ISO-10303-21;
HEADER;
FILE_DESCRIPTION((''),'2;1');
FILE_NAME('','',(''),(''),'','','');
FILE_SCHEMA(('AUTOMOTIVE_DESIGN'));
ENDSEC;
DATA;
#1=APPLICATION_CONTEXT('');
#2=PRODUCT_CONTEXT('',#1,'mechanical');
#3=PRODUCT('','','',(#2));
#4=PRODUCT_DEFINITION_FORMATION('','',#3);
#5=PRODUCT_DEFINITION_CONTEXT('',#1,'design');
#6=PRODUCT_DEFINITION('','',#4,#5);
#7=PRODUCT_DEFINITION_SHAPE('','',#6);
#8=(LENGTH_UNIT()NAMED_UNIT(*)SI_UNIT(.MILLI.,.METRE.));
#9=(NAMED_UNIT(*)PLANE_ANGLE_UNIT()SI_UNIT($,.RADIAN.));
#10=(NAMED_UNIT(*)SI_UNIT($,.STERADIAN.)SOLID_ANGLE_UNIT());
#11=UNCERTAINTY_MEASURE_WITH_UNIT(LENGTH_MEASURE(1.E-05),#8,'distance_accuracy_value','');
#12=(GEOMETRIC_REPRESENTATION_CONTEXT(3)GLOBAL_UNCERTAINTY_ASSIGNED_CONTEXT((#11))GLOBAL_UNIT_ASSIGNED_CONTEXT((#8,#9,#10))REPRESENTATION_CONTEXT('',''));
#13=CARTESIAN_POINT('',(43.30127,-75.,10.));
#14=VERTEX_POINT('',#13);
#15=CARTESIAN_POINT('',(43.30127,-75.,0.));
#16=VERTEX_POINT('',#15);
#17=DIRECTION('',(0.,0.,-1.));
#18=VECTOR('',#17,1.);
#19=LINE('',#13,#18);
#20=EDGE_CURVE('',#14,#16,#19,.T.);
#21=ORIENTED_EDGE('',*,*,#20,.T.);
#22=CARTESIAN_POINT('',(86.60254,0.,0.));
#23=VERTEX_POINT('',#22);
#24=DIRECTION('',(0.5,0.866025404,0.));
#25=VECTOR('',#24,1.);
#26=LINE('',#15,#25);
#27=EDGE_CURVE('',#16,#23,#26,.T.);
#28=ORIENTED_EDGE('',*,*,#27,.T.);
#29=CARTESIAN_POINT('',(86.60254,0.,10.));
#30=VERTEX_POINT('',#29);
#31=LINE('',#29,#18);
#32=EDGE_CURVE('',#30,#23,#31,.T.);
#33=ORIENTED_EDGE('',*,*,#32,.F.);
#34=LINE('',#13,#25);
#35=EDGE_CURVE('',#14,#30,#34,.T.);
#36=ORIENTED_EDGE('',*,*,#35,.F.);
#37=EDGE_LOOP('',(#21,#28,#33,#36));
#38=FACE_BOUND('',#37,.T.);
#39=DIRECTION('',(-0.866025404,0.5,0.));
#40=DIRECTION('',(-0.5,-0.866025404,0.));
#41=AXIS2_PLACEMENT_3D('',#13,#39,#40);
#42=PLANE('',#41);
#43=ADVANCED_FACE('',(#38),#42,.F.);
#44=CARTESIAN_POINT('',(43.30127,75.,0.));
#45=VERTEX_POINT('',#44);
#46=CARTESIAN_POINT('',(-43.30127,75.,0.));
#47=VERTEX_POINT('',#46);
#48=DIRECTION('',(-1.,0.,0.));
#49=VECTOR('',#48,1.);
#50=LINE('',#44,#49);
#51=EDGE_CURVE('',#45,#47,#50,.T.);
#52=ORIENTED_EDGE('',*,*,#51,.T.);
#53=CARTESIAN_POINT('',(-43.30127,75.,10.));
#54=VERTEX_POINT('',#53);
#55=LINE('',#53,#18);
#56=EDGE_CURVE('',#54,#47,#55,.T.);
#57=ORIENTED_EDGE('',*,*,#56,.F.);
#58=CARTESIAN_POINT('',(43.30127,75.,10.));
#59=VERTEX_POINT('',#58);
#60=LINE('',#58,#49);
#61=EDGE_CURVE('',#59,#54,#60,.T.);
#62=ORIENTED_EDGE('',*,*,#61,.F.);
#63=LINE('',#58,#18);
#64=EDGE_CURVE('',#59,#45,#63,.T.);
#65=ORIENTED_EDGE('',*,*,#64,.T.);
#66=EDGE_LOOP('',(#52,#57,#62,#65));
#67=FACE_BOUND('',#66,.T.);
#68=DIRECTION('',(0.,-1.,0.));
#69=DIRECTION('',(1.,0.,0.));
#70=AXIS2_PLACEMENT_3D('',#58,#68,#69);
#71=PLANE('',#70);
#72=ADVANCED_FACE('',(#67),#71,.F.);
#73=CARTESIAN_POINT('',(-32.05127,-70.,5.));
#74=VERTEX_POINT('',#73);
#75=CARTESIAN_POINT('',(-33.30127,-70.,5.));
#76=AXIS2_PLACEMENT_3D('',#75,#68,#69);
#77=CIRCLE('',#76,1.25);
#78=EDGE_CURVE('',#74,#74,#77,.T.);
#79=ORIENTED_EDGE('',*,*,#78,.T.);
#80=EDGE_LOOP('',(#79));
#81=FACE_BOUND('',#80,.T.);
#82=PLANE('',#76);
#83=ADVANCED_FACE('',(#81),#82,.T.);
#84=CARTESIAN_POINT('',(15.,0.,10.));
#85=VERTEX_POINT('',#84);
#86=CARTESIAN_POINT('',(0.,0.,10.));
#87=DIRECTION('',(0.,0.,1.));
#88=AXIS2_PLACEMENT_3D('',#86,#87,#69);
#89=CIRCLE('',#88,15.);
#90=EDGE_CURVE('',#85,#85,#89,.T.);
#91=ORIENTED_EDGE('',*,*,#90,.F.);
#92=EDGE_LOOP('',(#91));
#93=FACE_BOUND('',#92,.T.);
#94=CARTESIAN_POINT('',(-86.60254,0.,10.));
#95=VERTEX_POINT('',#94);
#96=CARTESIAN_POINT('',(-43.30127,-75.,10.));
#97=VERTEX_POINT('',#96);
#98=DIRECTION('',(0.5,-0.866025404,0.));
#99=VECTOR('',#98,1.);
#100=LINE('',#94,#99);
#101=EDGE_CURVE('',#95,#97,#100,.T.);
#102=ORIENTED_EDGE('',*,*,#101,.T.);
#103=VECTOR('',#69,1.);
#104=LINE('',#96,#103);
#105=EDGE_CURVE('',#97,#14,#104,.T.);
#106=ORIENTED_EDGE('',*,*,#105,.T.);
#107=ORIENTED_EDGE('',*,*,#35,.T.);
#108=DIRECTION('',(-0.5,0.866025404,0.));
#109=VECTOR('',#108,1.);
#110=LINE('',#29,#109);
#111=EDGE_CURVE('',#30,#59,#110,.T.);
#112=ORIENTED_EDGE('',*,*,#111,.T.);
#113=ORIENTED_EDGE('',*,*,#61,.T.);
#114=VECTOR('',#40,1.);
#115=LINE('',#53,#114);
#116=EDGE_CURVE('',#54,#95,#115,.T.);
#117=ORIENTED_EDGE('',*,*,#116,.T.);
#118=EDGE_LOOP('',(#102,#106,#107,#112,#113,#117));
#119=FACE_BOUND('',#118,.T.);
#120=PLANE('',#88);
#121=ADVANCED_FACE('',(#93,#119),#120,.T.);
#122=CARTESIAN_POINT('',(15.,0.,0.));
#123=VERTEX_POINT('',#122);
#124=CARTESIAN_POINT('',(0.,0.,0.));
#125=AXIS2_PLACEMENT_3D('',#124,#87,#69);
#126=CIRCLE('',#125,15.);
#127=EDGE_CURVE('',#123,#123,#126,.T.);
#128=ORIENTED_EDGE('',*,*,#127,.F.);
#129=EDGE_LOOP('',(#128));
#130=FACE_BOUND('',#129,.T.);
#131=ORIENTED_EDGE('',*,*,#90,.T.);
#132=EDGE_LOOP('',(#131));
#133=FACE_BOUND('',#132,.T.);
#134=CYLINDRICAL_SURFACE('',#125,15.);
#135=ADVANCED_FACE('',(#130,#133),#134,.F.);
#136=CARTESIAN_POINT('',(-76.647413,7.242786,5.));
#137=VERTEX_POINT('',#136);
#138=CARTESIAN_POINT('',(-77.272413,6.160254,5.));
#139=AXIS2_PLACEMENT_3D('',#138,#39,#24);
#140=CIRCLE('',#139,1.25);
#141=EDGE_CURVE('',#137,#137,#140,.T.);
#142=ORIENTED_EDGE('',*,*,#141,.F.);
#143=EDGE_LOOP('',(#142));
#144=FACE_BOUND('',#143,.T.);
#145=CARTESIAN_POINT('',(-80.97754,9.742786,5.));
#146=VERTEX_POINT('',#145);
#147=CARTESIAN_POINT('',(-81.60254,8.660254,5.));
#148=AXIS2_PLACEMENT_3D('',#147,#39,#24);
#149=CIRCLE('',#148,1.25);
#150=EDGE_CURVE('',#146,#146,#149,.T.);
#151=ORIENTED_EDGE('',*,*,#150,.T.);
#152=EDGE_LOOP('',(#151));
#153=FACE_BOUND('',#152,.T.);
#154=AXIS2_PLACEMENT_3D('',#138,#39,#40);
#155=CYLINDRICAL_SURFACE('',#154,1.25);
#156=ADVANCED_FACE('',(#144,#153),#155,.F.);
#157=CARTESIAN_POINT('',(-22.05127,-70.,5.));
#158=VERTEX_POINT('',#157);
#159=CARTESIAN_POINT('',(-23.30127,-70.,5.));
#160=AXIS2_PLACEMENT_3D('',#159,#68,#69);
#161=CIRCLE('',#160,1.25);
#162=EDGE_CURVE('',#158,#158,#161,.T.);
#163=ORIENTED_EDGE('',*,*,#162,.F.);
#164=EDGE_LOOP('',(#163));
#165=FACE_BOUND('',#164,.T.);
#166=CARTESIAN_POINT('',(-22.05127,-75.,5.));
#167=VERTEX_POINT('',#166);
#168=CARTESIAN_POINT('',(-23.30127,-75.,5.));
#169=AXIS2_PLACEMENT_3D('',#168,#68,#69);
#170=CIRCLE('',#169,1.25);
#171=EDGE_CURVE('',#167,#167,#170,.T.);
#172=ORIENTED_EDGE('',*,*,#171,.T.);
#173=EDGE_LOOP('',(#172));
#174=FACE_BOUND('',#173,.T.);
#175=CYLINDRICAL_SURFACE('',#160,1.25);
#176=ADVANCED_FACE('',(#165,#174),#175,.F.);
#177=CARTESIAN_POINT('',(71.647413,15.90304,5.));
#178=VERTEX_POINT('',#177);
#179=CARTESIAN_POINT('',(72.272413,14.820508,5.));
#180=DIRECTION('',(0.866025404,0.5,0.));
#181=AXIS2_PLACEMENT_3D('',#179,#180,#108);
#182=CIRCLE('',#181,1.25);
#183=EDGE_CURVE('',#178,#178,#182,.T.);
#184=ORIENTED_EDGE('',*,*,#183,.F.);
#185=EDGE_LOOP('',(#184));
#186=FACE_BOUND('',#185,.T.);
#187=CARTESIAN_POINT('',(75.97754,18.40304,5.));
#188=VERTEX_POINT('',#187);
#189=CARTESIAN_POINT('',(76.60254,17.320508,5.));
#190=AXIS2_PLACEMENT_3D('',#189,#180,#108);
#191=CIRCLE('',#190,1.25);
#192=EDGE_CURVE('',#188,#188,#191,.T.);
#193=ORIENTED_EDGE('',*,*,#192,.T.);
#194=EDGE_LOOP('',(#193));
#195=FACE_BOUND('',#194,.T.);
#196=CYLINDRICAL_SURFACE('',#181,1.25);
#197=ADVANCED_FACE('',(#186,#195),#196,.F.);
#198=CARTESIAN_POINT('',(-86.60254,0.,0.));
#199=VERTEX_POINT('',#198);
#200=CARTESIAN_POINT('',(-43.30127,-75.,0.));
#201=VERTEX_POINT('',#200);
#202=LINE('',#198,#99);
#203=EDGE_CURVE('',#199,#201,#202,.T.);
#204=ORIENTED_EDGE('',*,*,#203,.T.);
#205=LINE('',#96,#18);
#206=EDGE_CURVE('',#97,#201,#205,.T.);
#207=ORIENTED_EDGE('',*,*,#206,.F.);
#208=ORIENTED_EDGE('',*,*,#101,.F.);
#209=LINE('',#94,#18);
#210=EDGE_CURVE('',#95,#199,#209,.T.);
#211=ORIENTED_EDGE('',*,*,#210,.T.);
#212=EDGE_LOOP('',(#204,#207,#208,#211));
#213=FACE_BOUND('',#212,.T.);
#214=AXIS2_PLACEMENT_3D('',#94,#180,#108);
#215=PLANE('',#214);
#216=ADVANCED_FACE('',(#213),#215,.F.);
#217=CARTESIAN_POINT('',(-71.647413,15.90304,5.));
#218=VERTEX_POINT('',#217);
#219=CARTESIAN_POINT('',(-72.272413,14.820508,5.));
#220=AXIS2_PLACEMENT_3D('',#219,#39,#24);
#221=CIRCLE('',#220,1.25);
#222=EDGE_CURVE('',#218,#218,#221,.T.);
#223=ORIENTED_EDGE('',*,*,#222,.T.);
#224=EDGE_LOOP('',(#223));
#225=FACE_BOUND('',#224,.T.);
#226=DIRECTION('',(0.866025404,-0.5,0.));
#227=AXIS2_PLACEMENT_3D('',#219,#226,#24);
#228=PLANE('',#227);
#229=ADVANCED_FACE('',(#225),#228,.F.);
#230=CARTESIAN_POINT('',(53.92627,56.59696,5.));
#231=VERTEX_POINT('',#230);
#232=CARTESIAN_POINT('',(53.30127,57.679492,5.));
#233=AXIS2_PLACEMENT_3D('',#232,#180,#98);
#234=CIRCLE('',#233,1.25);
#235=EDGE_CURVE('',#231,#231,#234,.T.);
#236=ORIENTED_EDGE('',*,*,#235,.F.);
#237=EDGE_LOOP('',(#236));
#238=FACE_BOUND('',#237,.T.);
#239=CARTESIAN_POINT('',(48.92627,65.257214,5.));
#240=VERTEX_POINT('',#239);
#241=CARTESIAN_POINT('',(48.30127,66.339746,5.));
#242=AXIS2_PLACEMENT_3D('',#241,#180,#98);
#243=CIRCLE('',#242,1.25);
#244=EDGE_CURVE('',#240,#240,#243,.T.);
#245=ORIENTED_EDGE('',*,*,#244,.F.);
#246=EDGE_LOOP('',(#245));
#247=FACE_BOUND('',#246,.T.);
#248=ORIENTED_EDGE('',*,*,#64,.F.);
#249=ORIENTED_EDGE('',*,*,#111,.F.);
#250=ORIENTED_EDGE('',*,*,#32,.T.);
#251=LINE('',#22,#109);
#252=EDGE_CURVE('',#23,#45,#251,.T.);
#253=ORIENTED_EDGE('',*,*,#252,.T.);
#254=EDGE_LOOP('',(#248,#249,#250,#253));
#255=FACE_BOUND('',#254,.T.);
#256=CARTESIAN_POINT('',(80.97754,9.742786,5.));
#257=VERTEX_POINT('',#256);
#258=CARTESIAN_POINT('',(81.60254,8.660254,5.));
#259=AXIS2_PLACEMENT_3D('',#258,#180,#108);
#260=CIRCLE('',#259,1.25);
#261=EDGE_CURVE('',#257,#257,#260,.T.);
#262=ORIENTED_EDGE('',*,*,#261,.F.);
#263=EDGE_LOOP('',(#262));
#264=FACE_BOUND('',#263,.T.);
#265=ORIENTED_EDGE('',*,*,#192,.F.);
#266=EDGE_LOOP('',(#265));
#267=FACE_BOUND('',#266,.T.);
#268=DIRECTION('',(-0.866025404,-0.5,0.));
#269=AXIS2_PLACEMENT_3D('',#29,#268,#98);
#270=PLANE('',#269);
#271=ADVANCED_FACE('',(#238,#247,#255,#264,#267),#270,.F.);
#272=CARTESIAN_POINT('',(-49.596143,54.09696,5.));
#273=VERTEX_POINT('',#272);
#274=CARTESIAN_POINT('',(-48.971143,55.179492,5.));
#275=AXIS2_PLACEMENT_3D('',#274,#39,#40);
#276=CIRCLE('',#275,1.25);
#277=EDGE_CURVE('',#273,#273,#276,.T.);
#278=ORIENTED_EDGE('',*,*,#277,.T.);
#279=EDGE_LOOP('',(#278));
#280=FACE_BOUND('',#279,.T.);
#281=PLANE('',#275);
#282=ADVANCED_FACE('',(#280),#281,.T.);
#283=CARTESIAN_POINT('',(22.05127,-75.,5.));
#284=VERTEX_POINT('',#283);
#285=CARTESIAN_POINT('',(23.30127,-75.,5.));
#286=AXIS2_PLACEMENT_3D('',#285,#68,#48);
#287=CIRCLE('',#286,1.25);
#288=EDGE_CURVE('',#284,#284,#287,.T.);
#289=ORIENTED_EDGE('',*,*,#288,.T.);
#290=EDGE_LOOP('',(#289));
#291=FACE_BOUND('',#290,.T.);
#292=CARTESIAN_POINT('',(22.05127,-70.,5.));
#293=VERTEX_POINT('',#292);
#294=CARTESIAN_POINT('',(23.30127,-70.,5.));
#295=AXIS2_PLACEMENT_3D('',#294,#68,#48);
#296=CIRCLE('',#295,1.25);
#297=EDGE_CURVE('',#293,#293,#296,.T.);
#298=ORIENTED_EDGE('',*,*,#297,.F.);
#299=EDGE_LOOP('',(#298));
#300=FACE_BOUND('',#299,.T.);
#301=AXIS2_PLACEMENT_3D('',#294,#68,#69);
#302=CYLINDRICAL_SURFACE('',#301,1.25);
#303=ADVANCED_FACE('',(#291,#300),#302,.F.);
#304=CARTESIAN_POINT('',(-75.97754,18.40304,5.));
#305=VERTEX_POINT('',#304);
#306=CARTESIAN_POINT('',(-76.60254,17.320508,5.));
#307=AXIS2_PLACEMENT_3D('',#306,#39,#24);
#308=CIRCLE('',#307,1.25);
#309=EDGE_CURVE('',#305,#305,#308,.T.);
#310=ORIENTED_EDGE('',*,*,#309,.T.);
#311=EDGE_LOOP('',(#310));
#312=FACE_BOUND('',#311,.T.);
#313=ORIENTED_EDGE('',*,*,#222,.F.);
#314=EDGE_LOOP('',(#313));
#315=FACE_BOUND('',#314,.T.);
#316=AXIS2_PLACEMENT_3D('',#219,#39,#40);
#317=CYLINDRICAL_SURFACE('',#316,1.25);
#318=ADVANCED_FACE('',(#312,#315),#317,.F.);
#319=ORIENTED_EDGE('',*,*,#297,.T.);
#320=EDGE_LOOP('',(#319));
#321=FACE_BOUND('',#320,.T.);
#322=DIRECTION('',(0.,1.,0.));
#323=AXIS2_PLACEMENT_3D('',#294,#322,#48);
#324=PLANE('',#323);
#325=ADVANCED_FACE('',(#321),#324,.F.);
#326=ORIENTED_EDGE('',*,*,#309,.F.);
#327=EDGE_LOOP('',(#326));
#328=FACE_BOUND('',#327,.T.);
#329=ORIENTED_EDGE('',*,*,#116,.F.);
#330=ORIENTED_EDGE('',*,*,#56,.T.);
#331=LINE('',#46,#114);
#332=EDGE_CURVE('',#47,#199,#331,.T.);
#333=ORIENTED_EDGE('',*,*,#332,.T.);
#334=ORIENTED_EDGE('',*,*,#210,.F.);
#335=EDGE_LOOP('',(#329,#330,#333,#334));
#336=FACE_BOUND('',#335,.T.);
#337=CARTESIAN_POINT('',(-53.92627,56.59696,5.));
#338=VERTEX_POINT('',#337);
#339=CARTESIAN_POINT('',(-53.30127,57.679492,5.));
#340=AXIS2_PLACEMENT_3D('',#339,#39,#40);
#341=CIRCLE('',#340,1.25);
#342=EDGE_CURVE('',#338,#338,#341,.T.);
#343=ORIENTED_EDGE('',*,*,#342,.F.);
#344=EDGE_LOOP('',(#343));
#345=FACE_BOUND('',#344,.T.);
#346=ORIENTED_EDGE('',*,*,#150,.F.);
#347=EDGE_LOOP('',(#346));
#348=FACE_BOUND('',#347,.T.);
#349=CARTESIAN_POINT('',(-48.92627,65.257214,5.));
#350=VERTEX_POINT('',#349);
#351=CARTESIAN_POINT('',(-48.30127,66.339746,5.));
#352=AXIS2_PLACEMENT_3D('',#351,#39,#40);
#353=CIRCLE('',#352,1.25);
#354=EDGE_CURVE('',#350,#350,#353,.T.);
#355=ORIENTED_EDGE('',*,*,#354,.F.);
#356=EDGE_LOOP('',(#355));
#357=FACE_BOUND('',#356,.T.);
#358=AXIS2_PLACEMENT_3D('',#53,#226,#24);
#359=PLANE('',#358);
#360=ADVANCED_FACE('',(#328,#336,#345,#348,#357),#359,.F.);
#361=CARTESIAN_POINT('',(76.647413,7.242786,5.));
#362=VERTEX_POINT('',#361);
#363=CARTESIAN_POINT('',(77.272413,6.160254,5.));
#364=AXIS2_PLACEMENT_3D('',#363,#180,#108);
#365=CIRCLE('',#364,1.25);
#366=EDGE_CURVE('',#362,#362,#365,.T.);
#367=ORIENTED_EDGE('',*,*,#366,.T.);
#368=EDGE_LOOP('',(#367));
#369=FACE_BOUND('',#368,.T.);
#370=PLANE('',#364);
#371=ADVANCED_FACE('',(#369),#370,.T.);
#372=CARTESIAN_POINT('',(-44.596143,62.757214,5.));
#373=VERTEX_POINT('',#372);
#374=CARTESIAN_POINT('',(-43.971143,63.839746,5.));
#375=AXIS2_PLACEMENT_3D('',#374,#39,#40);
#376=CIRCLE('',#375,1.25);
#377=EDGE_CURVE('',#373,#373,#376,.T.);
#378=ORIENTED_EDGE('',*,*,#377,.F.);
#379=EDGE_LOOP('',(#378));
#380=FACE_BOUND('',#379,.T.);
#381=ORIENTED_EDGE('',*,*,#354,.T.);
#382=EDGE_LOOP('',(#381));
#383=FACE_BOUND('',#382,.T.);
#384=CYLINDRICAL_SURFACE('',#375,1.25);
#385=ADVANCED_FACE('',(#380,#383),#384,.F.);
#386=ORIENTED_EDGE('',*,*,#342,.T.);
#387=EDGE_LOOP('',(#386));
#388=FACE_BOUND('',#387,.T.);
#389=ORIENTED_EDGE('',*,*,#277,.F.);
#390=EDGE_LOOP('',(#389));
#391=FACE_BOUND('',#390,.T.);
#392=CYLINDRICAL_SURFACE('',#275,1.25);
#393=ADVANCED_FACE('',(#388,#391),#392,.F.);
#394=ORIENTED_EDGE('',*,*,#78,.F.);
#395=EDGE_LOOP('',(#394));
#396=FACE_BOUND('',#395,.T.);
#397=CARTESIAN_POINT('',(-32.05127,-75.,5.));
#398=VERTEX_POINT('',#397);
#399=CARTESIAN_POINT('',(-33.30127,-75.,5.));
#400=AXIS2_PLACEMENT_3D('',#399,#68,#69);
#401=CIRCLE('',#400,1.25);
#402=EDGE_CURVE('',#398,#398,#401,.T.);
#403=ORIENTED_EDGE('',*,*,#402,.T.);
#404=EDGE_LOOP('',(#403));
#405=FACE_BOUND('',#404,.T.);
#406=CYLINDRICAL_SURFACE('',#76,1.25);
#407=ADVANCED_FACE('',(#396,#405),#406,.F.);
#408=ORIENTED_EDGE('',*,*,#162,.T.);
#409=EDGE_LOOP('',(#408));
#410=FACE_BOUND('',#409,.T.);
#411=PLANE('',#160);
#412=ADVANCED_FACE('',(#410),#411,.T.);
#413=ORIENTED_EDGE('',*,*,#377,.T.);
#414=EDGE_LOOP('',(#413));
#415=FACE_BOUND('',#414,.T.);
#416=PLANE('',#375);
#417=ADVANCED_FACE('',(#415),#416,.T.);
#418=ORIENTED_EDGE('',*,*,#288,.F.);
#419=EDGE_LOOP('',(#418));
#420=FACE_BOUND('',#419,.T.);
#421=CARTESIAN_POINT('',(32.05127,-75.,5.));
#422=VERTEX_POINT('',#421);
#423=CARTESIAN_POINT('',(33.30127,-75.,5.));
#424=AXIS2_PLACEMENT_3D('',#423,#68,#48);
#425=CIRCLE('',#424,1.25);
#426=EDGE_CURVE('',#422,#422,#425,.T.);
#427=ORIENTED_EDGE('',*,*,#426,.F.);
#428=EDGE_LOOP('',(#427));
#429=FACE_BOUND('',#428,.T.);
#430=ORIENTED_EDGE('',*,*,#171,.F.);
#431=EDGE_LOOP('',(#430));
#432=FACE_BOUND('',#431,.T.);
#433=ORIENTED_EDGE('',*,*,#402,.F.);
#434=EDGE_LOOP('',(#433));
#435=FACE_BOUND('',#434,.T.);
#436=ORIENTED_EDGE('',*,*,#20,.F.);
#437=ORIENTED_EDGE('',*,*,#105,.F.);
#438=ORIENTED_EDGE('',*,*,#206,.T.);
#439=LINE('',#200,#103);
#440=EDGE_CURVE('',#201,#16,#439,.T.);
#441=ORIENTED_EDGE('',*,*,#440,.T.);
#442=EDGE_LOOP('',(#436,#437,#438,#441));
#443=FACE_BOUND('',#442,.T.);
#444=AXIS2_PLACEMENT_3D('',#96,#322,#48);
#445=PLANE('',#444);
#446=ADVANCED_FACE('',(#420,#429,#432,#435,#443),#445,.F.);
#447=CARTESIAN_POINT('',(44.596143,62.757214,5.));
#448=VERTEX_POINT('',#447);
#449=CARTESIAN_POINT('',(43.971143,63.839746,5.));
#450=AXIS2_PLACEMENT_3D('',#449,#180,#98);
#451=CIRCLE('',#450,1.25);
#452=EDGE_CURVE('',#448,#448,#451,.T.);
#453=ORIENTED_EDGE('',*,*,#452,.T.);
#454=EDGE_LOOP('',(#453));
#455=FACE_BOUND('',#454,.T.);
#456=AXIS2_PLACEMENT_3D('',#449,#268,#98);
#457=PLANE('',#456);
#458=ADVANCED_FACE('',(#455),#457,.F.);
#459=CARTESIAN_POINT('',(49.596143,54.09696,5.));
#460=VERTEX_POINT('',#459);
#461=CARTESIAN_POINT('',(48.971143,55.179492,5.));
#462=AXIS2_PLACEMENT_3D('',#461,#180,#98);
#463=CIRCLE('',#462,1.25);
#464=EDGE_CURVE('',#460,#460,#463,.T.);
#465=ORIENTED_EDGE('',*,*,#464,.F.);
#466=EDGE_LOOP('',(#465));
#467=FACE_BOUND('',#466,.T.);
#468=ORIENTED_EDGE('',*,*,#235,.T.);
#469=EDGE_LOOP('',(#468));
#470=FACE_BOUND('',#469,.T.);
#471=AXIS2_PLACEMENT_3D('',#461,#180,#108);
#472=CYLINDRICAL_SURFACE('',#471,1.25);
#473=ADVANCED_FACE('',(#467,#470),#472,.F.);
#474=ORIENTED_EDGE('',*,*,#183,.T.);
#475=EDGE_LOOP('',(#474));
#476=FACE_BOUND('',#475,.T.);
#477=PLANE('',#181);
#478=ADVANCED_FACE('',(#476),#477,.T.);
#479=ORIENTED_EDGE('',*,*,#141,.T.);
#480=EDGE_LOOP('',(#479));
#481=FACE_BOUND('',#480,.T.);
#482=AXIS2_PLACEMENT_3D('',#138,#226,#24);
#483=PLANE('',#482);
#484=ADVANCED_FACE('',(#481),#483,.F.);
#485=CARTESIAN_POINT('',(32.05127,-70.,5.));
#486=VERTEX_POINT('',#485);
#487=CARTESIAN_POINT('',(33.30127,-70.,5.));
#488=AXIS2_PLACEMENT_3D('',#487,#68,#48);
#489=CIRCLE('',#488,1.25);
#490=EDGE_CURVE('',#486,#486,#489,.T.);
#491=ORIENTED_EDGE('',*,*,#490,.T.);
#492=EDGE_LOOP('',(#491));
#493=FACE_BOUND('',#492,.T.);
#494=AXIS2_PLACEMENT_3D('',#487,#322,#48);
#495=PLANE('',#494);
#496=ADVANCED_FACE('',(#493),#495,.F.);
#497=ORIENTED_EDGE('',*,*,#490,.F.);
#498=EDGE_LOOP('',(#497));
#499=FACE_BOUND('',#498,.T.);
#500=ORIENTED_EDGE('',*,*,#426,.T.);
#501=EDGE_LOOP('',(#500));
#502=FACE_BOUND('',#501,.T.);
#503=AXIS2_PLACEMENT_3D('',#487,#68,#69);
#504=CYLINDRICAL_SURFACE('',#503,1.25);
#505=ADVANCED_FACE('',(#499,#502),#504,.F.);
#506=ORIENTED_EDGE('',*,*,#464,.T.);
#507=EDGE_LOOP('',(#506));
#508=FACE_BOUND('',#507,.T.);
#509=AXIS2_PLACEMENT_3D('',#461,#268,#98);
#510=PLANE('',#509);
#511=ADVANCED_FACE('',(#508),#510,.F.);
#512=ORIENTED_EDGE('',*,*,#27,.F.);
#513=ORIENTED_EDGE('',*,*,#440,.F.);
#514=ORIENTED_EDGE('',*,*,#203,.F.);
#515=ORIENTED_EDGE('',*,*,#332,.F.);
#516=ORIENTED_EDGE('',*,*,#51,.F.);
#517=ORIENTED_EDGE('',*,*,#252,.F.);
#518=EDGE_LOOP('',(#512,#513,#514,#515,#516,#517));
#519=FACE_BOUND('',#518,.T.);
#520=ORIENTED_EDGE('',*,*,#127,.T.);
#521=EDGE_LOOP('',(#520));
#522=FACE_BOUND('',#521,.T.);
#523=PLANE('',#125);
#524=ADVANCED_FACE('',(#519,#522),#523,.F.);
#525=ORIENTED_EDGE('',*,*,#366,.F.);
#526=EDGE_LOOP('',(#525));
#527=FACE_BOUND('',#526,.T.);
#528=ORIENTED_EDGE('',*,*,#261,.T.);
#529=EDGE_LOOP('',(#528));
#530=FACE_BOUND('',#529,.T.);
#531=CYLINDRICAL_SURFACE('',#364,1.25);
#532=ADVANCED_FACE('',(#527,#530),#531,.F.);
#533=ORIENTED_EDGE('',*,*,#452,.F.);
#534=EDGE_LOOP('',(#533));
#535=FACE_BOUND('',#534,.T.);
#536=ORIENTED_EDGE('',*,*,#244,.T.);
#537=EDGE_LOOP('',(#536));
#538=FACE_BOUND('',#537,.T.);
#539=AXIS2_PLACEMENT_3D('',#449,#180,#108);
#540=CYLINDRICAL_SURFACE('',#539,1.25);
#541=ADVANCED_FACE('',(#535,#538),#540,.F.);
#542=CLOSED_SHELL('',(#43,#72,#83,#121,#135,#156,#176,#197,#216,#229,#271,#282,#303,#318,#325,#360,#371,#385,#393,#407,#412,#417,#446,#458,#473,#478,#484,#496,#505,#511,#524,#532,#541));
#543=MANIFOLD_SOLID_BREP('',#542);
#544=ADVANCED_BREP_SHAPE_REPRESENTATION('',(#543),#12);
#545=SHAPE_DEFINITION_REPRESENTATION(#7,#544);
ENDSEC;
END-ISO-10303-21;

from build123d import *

# Parameters (mm, degrees)
BOSS_EXTRUDE1_DEPTH = 10
SKETCH2_R           = 1.25
CUT_EXTRUDE1_DEPTH  = 5
CIRPATTERN1_COUNT   = 3
SKETCH3_R           = 15
CUT_EXTRUDE2_DEPTH  = 10


with BuildPart() as part:
    # Sketch1 → Boss-Extrude1 (new body)
    with BuildSketch(Plane.XY):
        Polygon((43.301270189, -75), (86.602540378, 0), (43.301270189, 75), (-43.301270189, 75), (-86.602540378, 0), (-43.301270189, -75), align=None)
    extrude(amount=BOSS_EXTRUDE1_DEPTH)

    # Sketch2 → Cut-Extrude1 (cut)
    with BuildSketch(Plane.XZ.offset(75)):
        with Locations((-33.301270189, 5)):
            Circle(SKETCH2_R)
        with Locations((-23.301270189, 5)):
            Circle(SKETCH2_R)
        with Locations(Location((33.301270189, 5, 0), (0, 0, 180))):
            Circle(SKETCH2_R)
        with Locations(Location((23.301270189, 5, 0), (0, 0, 180))):
            Circle(SKETCH2_R)
    cut_extrude1 = extrude(amount=-CUT_EXTRUDE1_DEPTH, mode=Mode.SUBTRACT)

    # CirPattern1: Cut-Extrude1 ×3 about axis
    cirpattern1_axis = Axis((0, 0, 0), (0, 0, 1))
    for i in range(1, CIRPATTERN1_COUNT):
        add(cut_extrude1.rotate(cirpattern1_axis, i * 360 / CIRPATTERN1_COUNT), mode=Mode.SUBTRACT)

    # Sketch3 → Cut-Extrude2 (cut)
    with BuildSketch(Plane.XY.offset(10)):
        Circle(SKETCH3_R)
    extrude(amount=-CUT_EXTRUDE2_DEPTH, mode=Mode.SUBTRACT)


solid = part.part
